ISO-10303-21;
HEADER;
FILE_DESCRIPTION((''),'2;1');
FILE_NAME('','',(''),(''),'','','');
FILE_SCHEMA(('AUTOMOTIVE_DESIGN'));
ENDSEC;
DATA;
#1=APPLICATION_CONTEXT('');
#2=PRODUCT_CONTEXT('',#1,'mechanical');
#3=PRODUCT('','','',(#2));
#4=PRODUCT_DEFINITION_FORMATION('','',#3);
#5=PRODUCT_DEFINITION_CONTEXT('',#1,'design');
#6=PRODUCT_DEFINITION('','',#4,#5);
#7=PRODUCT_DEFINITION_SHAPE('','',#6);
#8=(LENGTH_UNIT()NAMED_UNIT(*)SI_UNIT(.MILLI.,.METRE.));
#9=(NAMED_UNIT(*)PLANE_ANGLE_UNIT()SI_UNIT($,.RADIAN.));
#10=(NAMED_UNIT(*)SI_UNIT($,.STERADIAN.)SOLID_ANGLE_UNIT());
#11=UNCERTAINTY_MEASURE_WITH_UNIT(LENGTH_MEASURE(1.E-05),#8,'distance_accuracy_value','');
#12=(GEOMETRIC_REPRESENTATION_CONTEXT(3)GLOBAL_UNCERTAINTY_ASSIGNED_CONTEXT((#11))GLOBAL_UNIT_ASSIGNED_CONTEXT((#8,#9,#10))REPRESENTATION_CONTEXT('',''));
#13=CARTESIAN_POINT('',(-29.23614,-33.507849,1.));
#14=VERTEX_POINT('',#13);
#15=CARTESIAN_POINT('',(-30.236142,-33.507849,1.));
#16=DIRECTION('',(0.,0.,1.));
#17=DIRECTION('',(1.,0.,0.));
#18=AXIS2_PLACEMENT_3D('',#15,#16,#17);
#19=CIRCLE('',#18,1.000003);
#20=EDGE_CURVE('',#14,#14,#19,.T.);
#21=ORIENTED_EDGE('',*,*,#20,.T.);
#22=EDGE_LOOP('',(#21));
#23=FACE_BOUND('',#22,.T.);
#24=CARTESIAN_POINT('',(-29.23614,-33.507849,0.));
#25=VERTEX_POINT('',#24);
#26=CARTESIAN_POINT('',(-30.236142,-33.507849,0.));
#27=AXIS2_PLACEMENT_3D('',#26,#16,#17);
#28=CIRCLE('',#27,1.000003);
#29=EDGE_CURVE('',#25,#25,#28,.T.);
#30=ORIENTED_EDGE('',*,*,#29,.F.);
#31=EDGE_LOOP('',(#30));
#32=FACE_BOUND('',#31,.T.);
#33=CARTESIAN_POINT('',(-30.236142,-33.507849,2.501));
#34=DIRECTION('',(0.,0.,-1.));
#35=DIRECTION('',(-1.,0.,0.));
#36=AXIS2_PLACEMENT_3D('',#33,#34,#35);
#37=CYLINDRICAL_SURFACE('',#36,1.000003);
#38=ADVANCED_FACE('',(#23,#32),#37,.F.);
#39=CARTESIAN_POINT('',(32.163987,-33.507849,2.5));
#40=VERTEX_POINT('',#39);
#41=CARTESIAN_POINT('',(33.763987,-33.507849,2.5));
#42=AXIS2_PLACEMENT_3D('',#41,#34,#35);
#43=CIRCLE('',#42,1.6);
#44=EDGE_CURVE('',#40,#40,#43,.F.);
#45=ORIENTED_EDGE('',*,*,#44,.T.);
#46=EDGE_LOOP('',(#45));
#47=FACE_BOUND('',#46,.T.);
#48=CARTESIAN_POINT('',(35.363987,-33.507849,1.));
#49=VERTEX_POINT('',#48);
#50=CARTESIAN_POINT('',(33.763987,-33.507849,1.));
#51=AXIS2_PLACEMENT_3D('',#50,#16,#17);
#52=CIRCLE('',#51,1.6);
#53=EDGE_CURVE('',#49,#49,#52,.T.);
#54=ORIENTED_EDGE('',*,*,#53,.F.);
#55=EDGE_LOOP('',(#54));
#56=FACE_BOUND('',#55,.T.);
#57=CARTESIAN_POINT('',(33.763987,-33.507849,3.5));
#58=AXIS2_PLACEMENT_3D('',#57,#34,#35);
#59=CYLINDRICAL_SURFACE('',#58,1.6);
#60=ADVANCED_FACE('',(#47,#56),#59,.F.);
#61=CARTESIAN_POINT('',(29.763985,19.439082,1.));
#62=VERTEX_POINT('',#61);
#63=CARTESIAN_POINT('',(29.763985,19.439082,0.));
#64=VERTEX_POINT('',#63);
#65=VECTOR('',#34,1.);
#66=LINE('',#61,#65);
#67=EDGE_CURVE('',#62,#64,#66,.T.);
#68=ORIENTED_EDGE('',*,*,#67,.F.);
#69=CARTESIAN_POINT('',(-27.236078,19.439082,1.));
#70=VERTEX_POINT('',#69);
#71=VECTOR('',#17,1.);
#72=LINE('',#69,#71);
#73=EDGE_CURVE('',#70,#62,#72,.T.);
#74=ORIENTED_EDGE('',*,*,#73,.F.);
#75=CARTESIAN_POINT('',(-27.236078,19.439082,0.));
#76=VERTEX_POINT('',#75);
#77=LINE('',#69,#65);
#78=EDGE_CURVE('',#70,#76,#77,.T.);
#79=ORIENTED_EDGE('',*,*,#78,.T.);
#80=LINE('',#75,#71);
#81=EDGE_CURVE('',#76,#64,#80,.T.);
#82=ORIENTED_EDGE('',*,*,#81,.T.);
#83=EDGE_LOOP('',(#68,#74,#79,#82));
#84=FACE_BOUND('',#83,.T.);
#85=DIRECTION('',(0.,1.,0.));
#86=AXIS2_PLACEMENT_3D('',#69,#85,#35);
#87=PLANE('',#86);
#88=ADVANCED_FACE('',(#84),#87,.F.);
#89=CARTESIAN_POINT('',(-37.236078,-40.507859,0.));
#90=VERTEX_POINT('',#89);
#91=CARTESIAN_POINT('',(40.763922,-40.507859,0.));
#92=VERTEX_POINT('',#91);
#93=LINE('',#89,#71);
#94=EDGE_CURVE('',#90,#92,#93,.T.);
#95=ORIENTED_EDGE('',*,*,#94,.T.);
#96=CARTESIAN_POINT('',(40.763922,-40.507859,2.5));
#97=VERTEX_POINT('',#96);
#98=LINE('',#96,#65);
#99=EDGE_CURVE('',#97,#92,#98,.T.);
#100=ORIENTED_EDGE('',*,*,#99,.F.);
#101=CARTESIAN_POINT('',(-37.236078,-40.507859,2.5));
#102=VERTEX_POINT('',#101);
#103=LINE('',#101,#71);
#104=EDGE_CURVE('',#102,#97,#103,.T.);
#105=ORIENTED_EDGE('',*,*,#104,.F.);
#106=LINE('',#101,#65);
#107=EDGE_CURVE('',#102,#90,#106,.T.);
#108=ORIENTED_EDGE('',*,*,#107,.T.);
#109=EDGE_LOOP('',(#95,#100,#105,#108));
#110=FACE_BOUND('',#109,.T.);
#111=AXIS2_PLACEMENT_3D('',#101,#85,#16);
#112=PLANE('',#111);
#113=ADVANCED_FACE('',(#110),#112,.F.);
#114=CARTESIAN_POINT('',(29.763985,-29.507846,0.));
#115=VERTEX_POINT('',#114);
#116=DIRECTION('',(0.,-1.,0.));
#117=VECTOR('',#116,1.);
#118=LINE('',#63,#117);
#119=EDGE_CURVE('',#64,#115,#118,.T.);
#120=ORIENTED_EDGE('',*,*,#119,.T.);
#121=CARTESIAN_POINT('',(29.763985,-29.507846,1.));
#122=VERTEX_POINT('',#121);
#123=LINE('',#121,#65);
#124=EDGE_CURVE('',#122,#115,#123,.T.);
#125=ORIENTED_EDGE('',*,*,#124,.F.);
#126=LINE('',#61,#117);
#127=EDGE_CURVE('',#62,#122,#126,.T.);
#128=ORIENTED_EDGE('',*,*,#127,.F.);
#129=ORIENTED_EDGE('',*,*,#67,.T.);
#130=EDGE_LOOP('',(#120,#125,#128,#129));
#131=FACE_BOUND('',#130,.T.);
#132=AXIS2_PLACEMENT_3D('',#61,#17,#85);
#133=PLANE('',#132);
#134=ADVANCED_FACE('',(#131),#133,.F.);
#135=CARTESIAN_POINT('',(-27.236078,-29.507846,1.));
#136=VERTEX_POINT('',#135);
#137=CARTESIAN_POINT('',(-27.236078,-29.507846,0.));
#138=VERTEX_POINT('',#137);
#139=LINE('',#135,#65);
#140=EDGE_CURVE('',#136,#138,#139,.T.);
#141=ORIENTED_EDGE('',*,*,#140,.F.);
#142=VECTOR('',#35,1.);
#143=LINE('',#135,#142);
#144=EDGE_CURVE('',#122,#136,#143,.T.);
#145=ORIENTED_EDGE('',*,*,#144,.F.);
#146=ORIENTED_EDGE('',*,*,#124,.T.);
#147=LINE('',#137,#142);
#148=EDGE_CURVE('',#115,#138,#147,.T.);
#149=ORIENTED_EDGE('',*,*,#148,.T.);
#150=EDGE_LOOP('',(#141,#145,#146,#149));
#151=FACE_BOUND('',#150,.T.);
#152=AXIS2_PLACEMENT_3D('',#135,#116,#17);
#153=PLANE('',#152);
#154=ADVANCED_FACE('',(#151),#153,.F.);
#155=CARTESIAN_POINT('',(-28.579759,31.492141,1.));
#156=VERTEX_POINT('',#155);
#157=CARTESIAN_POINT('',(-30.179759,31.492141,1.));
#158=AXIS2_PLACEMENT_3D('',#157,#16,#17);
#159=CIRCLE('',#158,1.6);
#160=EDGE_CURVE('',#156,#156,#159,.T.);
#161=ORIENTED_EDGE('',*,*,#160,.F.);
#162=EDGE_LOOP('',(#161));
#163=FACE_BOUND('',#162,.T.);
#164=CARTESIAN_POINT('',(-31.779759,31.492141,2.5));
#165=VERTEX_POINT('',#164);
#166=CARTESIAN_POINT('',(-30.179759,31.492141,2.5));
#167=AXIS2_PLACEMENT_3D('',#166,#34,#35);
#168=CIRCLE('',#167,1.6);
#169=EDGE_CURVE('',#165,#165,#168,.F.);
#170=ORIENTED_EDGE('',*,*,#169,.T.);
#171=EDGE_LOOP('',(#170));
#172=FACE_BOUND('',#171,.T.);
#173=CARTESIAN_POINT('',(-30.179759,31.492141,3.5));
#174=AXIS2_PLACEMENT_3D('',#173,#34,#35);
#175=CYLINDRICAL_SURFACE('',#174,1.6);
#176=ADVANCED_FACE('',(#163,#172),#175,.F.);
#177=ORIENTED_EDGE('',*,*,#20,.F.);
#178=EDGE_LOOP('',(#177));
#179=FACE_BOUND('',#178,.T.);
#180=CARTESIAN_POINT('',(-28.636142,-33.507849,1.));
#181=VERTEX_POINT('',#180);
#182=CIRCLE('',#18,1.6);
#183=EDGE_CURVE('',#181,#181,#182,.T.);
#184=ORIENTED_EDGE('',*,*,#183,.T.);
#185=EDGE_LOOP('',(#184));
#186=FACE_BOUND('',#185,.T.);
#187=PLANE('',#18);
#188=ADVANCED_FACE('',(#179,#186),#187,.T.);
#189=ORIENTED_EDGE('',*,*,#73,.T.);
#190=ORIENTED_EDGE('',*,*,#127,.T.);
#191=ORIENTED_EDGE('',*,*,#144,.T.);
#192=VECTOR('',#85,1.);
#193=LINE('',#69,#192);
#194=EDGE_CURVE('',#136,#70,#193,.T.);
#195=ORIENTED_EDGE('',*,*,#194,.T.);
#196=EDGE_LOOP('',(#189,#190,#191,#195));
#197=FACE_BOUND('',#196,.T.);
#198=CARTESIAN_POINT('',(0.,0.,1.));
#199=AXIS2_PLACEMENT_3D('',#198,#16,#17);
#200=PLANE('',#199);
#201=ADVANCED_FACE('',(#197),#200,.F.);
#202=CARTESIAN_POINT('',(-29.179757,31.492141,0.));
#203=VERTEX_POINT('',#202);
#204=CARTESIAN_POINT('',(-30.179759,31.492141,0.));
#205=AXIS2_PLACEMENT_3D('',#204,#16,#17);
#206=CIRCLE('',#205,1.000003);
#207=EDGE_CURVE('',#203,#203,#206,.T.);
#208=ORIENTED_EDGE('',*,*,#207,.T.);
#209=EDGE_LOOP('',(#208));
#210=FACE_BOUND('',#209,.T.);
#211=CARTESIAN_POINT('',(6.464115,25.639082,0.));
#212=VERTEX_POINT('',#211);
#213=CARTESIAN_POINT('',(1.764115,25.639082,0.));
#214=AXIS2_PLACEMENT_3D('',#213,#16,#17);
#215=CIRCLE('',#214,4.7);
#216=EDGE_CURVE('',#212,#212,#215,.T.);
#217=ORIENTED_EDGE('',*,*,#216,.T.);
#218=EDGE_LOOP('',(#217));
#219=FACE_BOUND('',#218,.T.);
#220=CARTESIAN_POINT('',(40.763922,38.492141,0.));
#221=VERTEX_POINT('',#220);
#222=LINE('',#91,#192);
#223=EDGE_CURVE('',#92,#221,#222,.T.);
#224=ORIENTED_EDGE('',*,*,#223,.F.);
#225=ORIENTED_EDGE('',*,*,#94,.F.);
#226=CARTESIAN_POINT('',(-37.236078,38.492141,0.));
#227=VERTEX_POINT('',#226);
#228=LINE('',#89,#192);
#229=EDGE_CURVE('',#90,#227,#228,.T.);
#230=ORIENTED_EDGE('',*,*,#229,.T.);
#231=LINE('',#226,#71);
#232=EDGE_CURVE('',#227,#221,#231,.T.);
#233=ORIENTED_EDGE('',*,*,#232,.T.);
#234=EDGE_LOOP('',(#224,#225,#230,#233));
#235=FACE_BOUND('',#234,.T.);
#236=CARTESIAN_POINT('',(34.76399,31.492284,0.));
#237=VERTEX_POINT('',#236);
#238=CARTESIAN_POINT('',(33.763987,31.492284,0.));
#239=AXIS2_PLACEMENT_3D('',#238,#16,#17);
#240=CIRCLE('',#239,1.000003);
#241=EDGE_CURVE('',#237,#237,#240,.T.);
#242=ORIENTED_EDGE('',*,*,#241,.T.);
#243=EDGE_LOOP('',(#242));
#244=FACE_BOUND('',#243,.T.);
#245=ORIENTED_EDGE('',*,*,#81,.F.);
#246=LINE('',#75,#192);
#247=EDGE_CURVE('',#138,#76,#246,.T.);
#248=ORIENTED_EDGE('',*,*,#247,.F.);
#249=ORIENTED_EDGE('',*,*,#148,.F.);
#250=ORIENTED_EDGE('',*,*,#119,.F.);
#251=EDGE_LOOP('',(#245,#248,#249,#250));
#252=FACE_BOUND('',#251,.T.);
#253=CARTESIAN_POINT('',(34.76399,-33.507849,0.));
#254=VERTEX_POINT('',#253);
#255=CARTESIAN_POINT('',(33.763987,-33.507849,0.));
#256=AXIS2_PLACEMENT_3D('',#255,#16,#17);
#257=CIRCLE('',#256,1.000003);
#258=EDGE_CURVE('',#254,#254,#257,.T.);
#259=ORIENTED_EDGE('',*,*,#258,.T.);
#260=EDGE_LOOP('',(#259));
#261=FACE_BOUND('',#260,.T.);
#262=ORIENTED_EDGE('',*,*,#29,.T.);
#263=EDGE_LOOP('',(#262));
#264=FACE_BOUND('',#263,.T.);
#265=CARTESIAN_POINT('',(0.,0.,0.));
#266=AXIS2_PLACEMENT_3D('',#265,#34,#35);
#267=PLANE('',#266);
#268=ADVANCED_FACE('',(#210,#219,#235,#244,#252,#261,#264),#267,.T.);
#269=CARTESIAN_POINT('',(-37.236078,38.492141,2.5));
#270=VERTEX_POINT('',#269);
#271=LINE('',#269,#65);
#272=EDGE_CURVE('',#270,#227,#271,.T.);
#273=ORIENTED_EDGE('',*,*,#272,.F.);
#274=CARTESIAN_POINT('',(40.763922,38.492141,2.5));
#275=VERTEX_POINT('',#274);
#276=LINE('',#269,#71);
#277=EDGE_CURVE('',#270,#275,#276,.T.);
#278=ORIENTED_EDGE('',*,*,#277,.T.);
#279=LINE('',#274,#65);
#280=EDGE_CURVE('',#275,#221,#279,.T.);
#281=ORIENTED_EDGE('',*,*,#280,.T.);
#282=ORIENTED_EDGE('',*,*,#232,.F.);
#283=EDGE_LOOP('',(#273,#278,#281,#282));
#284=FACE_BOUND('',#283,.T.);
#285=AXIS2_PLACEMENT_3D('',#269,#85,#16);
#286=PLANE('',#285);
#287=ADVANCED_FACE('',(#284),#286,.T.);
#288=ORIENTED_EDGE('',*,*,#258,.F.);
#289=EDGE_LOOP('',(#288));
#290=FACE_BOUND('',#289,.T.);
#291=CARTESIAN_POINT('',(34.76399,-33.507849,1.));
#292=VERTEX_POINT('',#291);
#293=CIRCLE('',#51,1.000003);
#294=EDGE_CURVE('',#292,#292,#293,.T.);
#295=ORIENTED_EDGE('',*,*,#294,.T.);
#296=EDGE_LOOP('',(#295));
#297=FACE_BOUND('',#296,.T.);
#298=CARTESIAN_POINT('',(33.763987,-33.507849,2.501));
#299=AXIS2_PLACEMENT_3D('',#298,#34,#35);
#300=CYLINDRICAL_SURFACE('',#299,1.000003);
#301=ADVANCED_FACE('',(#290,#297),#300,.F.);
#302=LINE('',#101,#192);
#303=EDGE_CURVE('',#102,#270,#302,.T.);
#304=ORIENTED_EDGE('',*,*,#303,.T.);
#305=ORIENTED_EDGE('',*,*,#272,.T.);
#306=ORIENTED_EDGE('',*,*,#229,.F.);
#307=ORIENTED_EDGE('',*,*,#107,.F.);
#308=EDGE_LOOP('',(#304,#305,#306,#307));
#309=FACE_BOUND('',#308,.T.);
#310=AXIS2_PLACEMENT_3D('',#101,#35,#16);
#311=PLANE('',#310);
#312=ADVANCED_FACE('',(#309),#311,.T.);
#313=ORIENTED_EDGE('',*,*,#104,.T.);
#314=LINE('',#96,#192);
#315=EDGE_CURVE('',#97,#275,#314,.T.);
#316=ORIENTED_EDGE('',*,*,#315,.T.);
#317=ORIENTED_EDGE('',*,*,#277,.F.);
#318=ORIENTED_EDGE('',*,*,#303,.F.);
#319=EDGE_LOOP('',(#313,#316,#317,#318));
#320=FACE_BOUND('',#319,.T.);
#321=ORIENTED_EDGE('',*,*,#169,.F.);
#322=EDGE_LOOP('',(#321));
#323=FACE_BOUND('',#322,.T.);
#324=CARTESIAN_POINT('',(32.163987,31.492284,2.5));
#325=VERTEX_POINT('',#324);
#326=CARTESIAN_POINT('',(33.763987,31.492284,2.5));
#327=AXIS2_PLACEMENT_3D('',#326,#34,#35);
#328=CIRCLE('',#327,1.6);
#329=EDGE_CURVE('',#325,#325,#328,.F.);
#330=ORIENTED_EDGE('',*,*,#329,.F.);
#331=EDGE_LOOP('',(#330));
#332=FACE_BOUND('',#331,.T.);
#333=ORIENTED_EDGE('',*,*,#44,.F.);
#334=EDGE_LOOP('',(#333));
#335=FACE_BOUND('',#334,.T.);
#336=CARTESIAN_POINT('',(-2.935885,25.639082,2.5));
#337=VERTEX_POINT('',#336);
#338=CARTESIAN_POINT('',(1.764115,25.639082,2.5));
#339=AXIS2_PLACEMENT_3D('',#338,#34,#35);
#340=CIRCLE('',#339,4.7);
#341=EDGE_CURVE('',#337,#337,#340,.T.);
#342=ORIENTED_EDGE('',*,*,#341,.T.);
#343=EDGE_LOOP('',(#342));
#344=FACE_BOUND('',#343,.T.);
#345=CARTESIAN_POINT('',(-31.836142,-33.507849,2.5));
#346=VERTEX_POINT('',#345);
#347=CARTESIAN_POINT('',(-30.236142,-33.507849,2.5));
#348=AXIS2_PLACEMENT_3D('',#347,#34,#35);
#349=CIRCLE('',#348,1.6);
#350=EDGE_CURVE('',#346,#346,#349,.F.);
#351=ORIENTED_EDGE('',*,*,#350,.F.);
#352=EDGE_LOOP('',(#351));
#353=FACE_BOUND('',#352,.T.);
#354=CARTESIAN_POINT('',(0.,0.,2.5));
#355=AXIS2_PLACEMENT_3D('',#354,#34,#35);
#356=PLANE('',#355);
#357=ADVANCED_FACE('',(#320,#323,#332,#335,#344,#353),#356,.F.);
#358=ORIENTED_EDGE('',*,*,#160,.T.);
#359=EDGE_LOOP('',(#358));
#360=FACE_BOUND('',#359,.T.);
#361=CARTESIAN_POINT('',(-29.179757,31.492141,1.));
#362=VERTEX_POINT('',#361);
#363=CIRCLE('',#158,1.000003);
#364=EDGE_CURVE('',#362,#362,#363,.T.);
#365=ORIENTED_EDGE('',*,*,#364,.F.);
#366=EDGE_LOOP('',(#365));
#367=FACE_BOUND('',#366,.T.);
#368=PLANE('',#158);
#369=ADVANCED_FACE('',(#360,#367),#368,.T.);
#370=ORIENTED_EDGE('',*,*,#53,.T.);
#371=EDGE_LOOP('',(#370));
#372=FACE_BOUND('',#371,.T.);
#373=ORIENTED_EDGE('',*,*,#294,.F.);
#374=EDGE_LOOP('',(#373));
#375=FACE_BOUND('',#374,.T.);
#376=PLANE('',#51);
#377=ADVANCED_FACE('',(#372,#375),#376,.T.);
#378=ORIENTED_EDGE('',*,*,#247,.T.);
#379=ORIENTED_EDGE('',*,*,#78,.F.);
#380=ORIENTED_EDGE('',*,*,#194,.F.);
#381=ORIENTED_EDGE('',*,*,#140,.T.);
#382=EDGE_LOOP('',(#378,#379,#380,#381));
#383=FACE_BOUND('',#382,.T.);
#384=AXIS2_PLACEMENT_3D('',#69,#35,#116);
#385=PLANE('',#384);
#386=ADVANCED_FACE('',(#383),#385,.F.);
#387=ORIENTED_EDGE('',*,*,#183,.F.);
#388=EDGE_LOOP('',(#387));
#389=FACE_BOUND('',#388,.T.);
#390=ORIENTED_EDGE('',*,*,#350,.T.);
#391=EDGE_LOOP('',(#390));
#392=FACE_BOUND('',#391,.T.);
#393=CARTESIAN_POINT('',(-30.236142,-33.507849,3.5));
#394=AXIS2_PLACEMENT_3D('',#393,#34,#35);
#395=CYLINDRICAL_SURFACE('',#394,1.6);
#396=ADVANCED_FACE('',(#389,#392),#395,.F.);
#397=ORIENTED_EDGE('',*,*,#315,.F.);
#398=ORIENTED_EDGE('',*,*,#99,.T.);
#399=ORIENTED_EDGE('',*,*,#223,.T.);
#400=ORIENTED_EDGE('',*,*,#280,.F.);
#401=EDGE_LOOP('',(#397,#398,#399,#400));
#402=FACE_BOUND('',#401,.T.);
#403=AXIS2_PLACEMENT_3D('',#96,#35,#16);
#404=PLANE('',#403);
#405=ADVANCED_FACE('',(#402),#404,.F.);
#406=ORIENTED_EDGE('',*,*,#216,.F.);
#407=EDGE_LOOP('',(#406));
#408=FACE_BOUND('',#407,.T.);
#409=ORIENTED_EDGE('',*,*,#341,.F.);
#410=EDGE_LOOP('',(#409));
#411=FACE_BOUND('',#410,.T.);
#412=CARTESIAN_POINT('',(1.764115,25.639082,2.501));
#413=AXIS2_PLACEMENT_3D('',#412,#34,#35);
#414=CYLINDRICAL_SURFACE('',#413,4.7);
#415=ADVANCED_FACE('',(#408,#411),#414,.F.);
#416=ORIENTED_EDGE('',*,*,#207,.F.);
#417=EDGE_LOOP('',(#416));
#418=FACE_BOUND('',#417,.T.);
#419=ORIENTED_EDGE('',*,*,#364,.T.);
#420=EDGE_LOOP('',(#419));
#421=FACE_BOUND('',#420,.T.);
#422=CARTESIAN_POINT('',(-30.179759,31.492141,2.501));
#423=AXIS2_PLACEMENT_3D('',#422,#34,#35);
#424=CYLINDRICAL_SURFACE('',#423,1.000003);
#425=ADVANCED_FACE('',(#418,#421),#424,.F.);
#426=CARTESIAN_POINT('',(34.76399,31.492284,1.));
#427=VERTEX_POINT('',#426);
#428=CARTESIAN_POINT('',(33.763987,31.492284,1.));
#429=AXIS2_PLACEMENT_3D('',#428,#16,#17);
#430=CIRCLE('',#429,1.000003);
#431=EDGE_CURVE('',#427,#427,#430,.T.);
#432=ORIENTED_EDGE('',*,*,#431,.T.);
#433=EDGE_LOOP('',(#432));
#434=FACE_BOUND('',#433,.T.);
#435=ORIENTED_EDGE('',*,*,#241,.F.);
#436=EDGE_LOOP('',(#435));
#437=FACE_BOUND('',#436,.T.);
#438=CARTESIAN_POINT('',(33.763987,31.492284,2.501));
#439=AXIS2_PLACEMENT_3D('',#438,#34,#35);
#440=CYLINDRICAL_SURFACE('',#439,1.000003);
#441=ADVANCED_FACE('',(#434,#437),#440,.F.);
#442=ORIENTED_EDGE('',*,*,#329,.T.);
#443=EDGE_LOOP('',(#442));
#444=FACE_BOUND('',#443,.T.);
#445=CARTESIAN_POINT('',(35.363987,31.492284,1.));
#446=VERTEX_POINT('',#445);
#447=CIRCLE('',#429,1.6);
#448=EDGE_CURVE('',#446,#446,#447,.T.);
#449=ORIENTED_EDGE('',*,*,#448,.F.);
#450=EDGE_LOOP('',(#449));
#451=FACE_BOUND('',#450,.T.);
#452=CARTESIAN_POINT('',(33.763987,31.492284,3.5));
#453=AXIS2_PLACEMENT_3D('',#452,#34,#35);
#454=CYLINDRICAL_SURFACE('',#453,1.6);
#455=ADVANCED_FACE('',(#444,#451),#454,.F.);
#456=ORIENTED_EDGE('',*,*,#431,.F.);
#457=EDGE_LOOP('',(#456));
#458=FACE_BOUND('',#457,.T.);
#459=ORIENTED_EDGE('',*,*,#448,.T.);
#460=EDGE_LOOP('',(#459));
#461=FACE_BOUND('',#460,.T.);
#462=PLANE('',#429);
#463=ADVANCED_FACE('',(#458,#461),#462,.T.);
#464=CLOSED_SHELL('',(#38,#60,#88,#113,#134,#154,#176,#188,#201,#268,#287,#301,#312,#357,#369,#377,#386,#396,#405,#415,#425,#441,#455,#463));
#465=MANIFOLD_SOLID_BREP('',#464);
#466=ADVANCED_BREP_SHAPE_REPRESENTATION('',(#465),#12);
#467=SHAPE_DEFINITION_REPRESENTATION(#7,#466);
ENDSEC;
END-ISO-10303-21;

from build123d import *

# Parameters (mm, degrees)
SKETCH_213_W        = 78
SKETCH_213_H        = 79
EXTRUDE_3_DEPTH     = 2.5
CUT_EXTRUDE_4_REACH = 59.522
SKETCH_10_R         = 1.00000254
SKETCH_10_R_2       = 4.7
CUT_EXTRUDE_START   = 1
SKETCH_12_R         = 1.6
CUT_EXTRUDE_6_DEPTH = 2.5
SKETCH_11_W         = 57.00006223
SKETCH_11_H         = 48.946928069
CUT_EXTRUDE_7_DEPTH = 1


with BuildPart() as part:
    # Sketch 213 → 凸台-拉伸3 (new body)
    with BuildSketch(Plane.XY):
        with Locations((1.76392246, -1.007858704)):
            Rectangle(SKETCH_213_W, SKETCH_213_H)
    extrude(amount=EXTRUDE_3_DEPTH)

    # Sketch 10 → 切除-拉伸4 (cut, up to next)
    with BuildSketch(Plane.XY, mode=Mode.PRIVATE) as cut_extrude_4_sk1:
        with Locations((-30.179759278, 31.492141296)):
            Circle(SKETCH_10_R)
    cut_extrude_4_tool1 = extrude(cut_extrude_4_sk1.sketch, amount=CUT_EXTRUDE_4_REACH, mode=Mode.PRIVATE) & part.part
    # Sketch 10 → 切除-拉伸4 (cut, up to next)
    with BuildSketch(Plane.XY, mode=Mode.PRIVATE) as cut_extrude_4_sk2:
        with Locations((33.76398723, 31.492283536)):
            Circle(SKETCH_10_R)
    cut_extrude_4_tool2 = extrude(cut_extrude_4_sk2.sketch, amount=CUT_EXTRUDE_4_REACH, mode=Mode.PRIVATE) & part.part
    # Sketch 10 → 切除-拉伸4 (cut, up to next)
    with BuildSketch(Plane.XY, mode=Mode.PRIVATE) as cut_extrude_4_sk3:
        with Locations((33.76398723, -33.507848544)):
            Circle(SKETCH_10_R)
    cut_extrude_4_tool3 = extrude(cut_extrude_4_sk3.sketch, amount=CUT_EXTRUDE_4_REACH, mode=Mode.PRIVATE) & part.part
    # Sketch 10 → 切除-拉伸4 (cut, up to next)
    with BuildSketch(Plane.XY, mode=Mode.PRIVATE) as cut_extrude_4_sk4:
        with Locations((-30.23614231, -33.507848544)):
            Circle(SKETCH_10_R)
    cut_extrude_4_tool4 = extrude(cut_extrude_4_sk4.sketch, amount=CUT_EXTRUDE_4_REACH, mode=Mode.PRIVATE) & part.part
    # Sketch 10 → 切除-拉伸4 (cut, up to next)
    with BuildSketch(Plane.XY, mode=Mode.PRIVATE) as cut_extrude_4_sk5:
        with Locations((1.764114511, 25.639082065)):
            Circle(SKETCH_10_R_2)
    cut_extrude_4_tool5 = extrude(cut_extrude_4_sk5.sketch, amount=CUT_EXTRUDE_4_REACH, mode=Mode.PRIVATE) & part.part
    add(cut_extrude_4_tool1.solids().sort_by_distance((-30.179759, 31.492141, 0))[0], mode=Mode.SUBTRACT)
    add(cut_extrude_4_tool2.solids().sort_by_distance((33.763987, 31.492284, 0))[0], mode=Mode.SUBTRACT)
    add(cut_extrude_4_tool3.solids().sort_by_distance((33.763987, -33.507849, 0))[0], mode=Mode.SUBTRACT)
    add(cut_extrude_4_tool4.solids().sort_by_distance((-30.236142, -33.507849, 0))[0], mode=Mode.SUBTRACT)
    add(cut_extrude_4_tool5.solids().sort_by_distance((1.764115, 25.639082, 0))[0], mode=Mode.SUBTRACT)

    # 外壳尺寸<12> → 切除-拉伸6 (cut)
    with BuildSketch(Plane.XY.offset(CUT_EXTRUDE_START)):
        with Locations((-30.179759278, 31.492141296)):
            Circle(SKETCH_12_R)
        with Locations((33.76398723, 31.492283536)):
            Circle(SKETCH_12_R)
        with Locations((-30.23614231, -33.507848544)):
            Circle(SKETCH_12_R)
        with Locations((33.76398723, -33.507848544)):
            Circle(SKETCH_12_R)
    extrude(amount=CUT_EXTRUDE_6_DEPTH, mode=Mode.SUBTRACT)

    # 草图11 → 切除-拉伸7 (cut)
    with BuildSketch(Plane(origin=(0, 0, 0), x_dir=(-1, 0, 0), z_dir=(0, 0, -1))):
        with Locations((-1.263953575, -5.03438197)):
            Rectangle(SKETCH_11_W, SKETCH_11_H)
    extrude(amount=-CUT_EXTRUDE_7_DEPTH, mode=Mode.SUBTRACT)


solid = part.part
